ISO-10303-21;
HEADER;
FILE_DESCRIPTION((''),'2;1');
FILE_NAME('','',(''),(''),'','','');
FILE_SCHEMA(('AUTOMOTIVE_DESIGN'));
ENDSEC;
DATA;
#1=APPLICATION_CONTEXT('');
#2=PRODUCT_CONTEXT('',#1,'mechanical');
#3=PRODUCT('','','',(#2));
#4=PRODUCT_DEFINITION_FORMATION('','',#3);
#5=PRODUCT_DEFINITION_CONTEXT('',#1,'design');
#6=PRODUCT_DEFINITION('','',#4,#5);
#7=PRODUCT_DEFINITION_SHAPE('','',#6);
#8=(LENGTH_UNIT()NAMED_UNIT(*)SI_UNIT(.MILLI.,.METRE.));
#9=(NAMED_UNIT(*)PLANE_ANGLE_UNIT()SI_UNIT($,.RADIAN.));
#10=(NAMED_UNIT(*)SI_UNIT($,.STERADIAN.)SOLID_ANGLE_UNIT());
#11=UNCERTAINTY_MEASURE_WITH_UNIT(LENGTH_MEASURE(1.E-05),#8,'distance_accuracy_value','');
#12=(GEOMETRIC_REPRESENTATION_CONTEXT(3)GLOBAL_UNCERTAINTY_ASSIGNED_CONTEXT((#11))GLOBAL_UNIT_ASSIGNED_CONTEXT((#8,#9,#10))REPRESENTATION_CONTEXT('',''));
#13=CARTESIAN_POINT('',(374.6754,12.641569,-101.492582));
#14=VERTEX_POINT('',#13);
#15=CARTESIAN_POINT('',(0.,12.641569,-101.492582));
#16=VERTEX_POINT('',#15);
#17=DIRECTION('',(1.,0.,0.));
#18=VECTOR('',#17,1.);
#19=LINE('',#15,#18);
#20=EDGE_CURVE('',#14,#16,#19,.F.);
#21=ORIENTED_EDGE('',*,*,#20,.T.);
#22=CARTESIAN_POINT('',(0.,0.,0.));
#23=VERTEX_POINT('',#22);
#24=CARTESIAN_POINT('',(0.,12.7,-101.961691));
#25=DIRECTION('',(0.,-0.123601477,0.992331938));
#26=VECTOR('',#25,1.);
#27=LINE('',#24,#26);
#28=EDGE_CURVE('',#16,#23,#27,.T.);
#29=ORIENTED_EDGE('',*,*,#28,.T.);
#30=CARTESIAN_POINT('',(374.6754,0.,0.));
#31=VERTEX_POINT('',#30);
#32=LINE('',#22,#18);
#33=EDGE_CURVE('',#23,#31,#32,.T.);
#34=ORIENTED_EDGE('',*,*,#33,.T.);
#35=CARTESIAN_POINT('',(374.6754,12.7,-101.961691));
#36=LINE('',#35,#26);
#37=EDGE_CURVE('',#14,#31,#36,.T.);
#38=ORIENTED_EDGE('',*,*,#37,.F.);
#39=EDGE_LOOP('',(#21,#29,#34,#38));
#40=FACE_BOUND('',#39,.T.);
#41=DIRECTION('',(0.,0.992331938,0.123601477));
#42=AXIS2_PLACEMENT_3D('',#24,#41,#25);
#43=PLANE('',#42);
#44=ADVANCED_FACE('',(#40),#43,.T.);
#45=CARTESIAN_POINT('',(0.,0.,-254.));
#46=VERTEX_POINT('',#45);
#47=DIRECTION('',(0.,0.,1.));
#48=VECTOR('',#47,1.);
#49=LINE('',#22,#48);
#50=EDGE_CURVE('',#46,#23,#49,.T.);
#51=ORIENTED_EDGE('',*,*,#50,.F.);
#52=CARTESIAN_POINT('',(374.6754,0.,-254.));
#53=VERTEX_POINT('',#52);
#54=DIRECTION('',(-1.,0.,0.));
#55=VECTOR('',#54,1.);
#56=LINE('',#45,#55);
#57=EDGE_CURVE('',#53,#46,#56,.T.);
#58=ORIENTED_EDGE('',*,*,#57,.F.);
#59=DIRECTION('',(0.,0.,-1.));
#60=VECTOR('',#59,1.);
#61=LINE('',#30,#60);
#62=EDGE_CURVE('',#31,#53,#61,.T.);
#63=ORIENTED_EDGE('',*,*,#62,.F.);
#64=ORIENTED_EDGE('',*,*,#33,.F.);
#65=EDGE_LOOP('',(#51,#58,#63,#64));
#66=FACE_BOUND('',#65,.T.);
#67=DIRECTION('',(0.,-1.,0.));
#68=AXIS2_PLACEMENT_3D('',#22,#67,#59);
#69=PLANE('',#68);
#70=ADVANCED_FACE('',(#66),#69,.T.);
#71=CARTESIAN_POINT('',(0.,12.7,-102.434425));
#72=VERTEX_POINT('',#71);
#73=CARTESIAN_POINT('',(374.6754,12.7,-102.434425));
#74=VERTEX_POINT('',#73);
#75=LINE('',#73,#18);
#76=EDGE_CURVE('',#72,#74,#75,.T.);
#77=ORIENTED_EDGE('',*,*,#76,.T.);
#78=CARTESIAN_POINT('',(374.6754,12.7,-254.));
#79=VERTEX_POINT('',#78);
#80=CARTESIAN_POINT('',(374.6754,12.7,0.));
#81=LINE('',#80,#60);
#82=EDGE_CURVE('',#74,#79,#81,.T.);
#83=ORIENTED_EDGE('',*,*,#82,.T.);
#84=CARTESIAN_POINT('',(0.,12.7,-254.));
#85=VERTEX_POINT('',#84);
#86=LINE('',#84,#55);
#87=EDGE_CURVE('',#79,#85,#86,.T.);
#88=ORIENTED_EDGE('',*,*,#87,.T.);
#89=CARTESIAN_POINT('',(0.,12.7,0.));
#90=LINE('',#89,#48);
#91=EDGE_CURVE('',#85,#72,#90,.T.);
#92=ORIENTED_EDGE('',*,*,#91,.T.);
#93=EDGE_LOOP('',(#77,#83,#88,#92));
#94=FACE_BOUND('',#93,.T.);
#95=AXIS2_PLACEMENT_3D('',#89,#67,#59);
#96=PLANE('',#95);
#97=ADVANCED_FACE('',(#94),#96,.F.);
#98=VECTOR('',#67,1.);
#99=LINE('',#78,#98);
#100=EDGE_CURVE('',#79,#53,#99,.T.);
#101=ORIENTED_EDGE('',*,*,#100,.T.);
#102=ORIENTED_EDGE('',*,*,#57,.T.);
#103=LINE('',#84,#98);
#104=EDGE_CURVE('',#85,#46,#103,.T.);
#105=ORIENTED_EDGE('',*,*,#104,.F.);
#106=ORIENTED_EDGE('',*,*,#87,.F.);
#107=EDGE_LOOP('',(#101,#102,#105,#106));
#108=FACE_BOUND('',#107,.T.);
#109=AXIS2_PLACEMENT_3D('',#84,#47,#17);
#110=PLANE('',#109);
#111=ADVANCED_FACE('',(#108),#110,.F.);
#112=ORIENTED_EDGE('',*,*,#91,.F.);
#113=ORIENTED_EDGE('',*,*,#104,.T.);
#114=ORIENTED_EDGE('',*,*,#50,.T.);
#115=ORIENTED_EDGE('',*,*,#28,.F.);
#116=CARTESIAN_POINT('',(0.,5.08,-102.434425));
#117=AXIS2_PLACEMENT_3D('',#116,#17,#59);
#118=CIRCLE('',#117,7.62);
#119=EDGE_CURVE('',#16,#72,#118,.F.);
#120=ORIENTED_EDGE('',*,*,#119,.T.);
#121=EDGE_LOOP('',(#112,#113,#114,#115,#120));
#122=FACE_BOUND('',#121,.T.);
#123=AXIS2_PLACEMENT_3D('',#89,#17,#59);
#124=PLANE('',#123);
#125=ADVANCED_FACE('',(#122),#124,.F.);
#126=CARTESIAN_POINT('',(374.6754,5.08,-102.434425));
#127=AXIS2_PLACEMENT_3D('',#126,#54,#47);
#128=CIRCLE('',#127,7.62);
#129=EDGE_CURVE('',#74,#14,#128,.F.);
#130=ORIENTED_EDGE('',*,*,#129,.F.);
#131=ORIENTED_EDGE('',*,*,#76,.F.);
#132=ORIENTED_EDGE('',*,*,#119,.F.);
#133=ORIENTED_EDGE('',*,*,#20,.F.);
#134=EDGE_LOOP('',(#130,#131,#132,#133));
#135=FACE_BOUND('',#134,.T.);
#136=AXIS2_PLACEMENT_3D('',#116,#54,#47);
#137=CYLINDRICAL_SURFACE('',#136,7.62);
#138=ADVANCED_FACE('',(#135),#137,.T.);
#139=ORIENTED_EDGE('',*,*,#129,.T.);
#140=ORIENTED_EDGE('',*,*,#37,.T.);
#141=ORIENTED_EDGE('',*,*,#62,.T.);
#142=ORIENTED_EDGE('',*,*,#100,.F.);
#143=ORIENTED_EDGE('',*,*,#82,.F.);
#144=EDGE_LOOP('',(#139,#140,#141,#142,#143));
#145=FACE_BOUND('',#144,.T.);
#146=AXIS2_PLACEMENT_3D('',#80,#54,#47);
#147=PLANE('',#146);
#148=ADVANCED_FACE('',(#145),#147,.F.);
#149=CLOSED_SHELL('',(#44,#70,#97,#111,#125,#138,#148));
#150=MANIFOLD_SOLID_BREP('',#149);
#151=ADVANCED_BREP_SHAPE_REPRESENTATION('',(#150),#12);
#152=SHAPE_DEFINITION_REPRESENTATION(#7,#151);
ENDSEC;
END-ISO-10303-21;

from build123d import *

# Parameters (mm, degrees)
SKETCH2_W           = 374.6754
SKETCH2_H           = 254
BOSS_EXTRUDE2_DEPTH = 12.7
CUT_EXTRUDE1_DEPTH  = 453.834346495
FILLET1_R           = 7.62


with BuildPart() as part:
    # Sketch2 → Boss-Extrude2 (new body)
    with BuildSketch(Plane(origin=(0, 0, 0), x_dir=(1, 0, 0), z_dir=(0, 1, 0))):
        with Locations((187.3377, 127)):
            Rectangle(SKETCH2_W, SKETCH2_H)
    extrude(amount=BOSS_EXTRUDE2_DEPTH)

    # Sketch4 → Cut-Extrude1 (cut, through all)
    with BuildSketch(Plane(origin=(374.6754, 0, 0), x_dir=(0, 0, -1), z_dir=(1, 0, 0))):
        Polygon((101.961691264, 12.7), (0, 0), (0, 12.7), align=None)
    extrude(amount=-CUT_EXTRUDE1_DEPTH, mode=Mode.SUBTRACT)

    # Fillet1
    fillet1_edges = [part.edges().sort_by_distance(p)[0] for p in [
        (187.3377, 12.7, -101.961691264),
    ]]
    fillet(fillet1_edges, radius=FILLET1_R)


solid = part.part
